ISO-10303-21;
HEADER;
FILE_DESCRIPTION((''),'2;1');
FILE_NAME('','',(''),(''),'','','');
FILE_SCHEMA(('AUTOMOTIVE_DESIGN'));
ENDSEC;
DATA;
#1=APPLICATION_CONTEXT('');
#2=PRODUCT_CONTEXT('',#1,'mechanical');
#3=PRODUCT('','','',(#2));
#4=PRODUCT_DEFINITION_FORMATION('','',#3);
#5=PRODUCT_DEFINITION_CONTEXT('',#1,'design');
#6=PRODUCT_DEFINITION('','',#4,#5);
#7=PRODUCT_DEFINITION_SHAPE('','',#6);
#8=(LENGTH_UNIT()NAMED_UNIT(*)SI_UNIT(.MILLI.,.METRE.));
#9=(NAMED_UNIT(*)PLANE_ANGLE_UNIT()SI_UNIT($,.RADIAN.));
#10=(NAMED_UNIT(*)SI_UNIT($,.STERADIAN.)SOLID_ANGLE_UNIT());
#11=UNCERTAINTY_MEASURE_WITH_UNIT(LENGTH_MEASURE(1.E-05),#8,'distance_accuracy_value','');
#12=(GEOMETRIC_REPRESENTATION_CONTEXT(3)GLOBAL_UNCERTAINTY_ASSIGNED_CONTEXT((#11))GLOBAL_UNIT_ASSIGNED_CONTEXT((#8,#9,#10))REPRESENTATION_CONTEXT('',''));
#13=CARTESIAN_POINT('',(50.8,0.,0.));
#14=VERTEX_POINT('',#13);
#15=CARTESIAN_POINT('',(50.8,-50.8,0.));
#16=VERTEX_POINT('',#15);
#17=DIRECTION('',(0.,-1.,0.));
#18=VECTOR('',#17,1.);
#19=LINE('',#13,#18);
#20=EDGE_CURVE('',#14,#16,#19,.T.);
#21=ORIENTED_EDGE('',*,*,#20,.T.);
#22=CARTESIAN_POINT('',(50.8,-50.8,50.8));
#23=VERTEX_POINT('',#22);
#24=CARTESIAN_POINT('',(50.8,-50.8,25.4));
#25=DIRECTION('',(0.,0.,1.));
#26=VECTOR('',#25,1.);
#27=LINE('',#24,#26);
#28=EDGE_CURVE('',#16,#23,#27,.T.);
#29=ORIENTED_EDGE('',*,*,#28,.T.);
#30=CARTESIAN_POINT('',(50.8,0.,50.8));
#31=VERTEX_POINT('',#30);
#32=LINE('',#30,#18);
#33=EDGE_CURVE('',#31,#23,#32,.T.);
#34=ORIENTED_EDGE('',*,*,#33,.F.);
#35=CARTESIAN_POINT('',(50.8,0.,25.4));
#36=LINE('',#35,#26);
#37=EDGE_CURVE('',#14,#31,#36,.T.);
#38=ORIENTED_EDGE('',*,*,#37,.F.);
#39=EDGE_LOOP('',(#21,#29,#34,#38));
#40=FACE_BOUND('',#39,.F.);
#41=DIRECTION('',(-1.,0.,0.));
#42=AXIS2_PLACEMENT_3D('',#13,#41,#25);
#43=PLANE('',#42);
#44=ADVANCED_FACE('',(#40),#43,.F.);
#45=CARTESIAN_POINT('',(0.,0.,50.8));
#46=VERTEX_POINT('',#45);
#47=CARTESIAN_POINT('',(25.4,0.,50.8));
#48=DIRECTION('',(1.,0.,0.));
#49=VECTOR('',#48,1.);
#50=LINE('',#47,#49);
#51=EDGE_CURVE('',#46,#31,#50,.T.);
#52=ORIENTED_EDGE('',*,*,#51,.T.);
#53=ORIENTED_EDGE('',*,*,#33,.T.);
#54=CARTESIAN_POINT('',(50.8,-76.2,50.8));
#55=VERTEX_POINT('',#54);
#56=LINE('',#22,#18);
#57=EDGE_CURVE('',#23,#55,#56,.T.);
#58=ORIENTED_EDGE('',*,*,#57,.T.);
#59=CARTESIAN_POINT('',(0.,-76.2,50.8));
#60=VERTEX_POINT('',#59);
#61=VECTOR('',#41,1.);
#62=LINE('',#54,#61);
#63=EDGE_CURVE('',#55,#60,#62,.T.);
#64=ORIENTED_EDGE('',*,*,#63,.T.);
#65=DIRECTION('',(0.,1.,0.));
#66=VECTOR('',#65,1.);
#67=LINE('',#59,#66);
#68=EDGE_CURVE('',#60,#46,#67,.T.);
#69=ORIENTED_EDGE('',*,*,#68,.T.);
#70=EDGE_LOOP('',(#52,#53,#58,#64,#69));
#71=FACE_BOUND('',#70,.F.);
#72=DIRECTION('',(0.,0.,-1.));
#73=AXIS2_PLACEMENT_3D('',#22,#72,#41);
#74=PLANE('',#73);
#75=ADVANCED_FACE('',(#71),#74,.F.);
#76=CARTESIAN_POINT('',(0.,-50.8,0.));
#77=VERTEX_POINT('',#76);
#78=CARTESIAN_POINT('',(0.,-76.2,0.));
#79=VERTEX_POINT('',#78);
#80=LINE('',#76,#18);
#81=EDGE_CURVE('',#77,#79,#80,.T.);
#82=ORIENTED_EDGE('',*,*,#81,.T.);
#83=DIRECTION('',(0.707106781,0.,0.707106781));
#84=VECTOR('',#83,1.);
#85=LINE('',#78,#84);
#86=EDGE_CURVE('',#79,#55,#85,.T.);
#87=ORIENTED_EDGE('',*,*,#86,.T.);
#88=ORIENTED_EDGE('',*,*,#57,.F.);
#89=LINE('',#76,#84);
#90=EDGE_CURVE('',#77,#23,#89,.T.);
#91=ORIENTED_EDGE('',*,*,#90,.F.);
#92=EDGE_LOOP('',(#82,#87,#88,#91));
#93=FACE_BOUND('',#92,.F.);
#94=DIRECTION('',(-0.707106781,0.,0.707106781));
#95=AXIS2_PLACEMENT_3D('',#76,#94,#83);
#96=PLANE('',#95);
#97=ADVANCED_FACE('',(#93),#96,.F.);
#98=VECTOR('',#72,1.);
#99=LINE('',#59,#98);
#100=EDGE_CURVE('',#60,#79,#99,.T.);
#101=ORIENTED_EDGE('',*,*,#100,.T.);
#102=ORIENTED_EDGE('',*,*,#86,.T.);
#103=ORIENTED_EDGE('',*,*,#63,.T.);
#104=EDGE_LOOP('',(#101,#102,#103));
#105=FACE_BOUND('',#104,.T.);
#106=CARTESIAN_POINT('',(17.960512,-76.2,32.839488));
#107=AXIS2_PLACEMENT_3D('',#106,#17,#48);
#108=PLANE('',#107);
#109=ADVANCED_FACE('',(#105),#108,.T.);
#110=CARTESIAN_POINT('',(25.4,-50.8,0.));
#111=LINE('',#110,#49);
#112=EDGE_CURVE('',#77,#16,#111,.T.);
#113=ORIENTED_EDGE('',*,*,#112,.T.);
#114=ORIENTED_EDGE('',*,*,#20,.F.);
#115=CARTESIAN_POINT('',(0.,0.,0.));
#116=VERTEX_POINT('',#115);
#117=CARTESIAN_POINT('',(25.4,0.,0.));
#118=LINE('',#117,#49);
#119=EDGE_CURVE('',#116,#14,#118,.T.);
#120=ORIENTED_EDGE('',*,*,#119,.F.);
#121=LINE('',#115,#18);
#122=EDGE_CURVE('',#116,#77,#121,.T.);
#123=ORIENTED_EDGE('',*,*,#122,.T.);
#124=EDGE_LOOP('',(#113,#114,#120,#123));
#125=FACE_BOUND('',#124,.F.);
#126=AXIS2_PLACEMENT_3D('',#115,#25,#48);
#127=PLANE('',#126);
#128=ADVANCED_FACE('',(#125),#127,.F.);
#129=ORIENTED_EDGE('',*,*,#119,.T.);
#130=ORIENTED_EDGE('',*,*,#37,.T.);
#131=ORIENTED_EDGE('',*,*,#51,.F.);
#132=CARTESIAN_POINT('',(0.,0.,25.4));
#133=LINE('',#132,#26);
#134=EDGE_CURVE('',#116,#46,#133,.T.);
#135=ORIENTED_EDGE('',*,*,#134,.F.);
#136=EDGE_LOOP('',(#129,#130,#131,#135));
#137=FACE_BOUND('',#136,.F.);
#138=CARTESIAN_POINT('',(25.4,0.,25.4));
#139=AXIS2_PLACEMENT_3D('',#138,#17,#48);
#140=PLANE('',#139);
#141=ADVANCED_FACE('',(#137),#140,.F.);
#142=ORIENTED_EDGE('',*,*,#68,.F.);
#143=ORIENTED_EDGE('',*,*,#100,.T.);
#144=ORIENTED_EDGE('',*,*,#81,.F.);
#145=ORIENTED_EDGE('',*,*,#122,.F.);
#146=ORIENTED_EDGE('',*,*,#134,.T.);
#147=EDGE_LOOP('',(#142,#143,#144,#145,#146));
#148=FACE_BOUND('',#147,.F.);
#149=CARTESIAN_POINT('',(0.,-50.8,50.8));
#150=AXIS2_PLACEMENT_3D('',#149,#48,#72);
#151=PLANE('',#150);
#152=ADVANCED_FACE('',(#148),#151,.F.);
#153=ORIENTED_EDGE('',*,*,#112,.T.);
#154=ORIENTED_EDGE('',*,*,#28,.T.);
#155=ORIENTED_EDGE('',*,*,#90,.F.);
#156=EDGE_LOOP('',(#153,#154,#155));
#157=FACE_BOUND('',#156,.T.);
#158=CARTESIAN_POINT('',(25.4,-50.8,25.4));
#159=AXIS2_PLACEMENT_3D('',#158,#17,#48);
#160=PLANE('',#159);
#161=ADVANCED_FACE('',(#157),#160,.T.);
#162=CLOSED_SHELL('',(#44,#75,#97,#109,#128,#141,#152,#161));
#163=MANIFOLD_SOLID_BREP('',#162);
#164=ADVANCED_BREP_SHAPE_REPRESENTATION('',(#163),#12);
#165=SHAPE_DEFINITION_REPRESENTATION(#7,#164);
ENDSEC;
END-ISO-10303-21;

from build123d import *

# Parameters (mm, degrees)
F0_W     = 50.8
F0_H     = 50.8
F1_DEPTH = 50.8
F3_DEPTH = 25.4


with BuildPart() as f1:
    # F0 (on Front) → F1 (new body)
    with BuildSketch(Plane.XZ):
        with Locations((25.4, 25.4)):
            Rectangle(F0_W, F0_H)
    extrude(amount=F1_DEPTH)

    # F2 (on face) → F3 (join)
    with BuildSketch(Plane.XZ.offset(50.8)):
        Polygon((0, 0), (50.8, 50.8), (0, 50.8), align=None)
    extrude(amount=F3_DEPTH)


solid = f1.part
